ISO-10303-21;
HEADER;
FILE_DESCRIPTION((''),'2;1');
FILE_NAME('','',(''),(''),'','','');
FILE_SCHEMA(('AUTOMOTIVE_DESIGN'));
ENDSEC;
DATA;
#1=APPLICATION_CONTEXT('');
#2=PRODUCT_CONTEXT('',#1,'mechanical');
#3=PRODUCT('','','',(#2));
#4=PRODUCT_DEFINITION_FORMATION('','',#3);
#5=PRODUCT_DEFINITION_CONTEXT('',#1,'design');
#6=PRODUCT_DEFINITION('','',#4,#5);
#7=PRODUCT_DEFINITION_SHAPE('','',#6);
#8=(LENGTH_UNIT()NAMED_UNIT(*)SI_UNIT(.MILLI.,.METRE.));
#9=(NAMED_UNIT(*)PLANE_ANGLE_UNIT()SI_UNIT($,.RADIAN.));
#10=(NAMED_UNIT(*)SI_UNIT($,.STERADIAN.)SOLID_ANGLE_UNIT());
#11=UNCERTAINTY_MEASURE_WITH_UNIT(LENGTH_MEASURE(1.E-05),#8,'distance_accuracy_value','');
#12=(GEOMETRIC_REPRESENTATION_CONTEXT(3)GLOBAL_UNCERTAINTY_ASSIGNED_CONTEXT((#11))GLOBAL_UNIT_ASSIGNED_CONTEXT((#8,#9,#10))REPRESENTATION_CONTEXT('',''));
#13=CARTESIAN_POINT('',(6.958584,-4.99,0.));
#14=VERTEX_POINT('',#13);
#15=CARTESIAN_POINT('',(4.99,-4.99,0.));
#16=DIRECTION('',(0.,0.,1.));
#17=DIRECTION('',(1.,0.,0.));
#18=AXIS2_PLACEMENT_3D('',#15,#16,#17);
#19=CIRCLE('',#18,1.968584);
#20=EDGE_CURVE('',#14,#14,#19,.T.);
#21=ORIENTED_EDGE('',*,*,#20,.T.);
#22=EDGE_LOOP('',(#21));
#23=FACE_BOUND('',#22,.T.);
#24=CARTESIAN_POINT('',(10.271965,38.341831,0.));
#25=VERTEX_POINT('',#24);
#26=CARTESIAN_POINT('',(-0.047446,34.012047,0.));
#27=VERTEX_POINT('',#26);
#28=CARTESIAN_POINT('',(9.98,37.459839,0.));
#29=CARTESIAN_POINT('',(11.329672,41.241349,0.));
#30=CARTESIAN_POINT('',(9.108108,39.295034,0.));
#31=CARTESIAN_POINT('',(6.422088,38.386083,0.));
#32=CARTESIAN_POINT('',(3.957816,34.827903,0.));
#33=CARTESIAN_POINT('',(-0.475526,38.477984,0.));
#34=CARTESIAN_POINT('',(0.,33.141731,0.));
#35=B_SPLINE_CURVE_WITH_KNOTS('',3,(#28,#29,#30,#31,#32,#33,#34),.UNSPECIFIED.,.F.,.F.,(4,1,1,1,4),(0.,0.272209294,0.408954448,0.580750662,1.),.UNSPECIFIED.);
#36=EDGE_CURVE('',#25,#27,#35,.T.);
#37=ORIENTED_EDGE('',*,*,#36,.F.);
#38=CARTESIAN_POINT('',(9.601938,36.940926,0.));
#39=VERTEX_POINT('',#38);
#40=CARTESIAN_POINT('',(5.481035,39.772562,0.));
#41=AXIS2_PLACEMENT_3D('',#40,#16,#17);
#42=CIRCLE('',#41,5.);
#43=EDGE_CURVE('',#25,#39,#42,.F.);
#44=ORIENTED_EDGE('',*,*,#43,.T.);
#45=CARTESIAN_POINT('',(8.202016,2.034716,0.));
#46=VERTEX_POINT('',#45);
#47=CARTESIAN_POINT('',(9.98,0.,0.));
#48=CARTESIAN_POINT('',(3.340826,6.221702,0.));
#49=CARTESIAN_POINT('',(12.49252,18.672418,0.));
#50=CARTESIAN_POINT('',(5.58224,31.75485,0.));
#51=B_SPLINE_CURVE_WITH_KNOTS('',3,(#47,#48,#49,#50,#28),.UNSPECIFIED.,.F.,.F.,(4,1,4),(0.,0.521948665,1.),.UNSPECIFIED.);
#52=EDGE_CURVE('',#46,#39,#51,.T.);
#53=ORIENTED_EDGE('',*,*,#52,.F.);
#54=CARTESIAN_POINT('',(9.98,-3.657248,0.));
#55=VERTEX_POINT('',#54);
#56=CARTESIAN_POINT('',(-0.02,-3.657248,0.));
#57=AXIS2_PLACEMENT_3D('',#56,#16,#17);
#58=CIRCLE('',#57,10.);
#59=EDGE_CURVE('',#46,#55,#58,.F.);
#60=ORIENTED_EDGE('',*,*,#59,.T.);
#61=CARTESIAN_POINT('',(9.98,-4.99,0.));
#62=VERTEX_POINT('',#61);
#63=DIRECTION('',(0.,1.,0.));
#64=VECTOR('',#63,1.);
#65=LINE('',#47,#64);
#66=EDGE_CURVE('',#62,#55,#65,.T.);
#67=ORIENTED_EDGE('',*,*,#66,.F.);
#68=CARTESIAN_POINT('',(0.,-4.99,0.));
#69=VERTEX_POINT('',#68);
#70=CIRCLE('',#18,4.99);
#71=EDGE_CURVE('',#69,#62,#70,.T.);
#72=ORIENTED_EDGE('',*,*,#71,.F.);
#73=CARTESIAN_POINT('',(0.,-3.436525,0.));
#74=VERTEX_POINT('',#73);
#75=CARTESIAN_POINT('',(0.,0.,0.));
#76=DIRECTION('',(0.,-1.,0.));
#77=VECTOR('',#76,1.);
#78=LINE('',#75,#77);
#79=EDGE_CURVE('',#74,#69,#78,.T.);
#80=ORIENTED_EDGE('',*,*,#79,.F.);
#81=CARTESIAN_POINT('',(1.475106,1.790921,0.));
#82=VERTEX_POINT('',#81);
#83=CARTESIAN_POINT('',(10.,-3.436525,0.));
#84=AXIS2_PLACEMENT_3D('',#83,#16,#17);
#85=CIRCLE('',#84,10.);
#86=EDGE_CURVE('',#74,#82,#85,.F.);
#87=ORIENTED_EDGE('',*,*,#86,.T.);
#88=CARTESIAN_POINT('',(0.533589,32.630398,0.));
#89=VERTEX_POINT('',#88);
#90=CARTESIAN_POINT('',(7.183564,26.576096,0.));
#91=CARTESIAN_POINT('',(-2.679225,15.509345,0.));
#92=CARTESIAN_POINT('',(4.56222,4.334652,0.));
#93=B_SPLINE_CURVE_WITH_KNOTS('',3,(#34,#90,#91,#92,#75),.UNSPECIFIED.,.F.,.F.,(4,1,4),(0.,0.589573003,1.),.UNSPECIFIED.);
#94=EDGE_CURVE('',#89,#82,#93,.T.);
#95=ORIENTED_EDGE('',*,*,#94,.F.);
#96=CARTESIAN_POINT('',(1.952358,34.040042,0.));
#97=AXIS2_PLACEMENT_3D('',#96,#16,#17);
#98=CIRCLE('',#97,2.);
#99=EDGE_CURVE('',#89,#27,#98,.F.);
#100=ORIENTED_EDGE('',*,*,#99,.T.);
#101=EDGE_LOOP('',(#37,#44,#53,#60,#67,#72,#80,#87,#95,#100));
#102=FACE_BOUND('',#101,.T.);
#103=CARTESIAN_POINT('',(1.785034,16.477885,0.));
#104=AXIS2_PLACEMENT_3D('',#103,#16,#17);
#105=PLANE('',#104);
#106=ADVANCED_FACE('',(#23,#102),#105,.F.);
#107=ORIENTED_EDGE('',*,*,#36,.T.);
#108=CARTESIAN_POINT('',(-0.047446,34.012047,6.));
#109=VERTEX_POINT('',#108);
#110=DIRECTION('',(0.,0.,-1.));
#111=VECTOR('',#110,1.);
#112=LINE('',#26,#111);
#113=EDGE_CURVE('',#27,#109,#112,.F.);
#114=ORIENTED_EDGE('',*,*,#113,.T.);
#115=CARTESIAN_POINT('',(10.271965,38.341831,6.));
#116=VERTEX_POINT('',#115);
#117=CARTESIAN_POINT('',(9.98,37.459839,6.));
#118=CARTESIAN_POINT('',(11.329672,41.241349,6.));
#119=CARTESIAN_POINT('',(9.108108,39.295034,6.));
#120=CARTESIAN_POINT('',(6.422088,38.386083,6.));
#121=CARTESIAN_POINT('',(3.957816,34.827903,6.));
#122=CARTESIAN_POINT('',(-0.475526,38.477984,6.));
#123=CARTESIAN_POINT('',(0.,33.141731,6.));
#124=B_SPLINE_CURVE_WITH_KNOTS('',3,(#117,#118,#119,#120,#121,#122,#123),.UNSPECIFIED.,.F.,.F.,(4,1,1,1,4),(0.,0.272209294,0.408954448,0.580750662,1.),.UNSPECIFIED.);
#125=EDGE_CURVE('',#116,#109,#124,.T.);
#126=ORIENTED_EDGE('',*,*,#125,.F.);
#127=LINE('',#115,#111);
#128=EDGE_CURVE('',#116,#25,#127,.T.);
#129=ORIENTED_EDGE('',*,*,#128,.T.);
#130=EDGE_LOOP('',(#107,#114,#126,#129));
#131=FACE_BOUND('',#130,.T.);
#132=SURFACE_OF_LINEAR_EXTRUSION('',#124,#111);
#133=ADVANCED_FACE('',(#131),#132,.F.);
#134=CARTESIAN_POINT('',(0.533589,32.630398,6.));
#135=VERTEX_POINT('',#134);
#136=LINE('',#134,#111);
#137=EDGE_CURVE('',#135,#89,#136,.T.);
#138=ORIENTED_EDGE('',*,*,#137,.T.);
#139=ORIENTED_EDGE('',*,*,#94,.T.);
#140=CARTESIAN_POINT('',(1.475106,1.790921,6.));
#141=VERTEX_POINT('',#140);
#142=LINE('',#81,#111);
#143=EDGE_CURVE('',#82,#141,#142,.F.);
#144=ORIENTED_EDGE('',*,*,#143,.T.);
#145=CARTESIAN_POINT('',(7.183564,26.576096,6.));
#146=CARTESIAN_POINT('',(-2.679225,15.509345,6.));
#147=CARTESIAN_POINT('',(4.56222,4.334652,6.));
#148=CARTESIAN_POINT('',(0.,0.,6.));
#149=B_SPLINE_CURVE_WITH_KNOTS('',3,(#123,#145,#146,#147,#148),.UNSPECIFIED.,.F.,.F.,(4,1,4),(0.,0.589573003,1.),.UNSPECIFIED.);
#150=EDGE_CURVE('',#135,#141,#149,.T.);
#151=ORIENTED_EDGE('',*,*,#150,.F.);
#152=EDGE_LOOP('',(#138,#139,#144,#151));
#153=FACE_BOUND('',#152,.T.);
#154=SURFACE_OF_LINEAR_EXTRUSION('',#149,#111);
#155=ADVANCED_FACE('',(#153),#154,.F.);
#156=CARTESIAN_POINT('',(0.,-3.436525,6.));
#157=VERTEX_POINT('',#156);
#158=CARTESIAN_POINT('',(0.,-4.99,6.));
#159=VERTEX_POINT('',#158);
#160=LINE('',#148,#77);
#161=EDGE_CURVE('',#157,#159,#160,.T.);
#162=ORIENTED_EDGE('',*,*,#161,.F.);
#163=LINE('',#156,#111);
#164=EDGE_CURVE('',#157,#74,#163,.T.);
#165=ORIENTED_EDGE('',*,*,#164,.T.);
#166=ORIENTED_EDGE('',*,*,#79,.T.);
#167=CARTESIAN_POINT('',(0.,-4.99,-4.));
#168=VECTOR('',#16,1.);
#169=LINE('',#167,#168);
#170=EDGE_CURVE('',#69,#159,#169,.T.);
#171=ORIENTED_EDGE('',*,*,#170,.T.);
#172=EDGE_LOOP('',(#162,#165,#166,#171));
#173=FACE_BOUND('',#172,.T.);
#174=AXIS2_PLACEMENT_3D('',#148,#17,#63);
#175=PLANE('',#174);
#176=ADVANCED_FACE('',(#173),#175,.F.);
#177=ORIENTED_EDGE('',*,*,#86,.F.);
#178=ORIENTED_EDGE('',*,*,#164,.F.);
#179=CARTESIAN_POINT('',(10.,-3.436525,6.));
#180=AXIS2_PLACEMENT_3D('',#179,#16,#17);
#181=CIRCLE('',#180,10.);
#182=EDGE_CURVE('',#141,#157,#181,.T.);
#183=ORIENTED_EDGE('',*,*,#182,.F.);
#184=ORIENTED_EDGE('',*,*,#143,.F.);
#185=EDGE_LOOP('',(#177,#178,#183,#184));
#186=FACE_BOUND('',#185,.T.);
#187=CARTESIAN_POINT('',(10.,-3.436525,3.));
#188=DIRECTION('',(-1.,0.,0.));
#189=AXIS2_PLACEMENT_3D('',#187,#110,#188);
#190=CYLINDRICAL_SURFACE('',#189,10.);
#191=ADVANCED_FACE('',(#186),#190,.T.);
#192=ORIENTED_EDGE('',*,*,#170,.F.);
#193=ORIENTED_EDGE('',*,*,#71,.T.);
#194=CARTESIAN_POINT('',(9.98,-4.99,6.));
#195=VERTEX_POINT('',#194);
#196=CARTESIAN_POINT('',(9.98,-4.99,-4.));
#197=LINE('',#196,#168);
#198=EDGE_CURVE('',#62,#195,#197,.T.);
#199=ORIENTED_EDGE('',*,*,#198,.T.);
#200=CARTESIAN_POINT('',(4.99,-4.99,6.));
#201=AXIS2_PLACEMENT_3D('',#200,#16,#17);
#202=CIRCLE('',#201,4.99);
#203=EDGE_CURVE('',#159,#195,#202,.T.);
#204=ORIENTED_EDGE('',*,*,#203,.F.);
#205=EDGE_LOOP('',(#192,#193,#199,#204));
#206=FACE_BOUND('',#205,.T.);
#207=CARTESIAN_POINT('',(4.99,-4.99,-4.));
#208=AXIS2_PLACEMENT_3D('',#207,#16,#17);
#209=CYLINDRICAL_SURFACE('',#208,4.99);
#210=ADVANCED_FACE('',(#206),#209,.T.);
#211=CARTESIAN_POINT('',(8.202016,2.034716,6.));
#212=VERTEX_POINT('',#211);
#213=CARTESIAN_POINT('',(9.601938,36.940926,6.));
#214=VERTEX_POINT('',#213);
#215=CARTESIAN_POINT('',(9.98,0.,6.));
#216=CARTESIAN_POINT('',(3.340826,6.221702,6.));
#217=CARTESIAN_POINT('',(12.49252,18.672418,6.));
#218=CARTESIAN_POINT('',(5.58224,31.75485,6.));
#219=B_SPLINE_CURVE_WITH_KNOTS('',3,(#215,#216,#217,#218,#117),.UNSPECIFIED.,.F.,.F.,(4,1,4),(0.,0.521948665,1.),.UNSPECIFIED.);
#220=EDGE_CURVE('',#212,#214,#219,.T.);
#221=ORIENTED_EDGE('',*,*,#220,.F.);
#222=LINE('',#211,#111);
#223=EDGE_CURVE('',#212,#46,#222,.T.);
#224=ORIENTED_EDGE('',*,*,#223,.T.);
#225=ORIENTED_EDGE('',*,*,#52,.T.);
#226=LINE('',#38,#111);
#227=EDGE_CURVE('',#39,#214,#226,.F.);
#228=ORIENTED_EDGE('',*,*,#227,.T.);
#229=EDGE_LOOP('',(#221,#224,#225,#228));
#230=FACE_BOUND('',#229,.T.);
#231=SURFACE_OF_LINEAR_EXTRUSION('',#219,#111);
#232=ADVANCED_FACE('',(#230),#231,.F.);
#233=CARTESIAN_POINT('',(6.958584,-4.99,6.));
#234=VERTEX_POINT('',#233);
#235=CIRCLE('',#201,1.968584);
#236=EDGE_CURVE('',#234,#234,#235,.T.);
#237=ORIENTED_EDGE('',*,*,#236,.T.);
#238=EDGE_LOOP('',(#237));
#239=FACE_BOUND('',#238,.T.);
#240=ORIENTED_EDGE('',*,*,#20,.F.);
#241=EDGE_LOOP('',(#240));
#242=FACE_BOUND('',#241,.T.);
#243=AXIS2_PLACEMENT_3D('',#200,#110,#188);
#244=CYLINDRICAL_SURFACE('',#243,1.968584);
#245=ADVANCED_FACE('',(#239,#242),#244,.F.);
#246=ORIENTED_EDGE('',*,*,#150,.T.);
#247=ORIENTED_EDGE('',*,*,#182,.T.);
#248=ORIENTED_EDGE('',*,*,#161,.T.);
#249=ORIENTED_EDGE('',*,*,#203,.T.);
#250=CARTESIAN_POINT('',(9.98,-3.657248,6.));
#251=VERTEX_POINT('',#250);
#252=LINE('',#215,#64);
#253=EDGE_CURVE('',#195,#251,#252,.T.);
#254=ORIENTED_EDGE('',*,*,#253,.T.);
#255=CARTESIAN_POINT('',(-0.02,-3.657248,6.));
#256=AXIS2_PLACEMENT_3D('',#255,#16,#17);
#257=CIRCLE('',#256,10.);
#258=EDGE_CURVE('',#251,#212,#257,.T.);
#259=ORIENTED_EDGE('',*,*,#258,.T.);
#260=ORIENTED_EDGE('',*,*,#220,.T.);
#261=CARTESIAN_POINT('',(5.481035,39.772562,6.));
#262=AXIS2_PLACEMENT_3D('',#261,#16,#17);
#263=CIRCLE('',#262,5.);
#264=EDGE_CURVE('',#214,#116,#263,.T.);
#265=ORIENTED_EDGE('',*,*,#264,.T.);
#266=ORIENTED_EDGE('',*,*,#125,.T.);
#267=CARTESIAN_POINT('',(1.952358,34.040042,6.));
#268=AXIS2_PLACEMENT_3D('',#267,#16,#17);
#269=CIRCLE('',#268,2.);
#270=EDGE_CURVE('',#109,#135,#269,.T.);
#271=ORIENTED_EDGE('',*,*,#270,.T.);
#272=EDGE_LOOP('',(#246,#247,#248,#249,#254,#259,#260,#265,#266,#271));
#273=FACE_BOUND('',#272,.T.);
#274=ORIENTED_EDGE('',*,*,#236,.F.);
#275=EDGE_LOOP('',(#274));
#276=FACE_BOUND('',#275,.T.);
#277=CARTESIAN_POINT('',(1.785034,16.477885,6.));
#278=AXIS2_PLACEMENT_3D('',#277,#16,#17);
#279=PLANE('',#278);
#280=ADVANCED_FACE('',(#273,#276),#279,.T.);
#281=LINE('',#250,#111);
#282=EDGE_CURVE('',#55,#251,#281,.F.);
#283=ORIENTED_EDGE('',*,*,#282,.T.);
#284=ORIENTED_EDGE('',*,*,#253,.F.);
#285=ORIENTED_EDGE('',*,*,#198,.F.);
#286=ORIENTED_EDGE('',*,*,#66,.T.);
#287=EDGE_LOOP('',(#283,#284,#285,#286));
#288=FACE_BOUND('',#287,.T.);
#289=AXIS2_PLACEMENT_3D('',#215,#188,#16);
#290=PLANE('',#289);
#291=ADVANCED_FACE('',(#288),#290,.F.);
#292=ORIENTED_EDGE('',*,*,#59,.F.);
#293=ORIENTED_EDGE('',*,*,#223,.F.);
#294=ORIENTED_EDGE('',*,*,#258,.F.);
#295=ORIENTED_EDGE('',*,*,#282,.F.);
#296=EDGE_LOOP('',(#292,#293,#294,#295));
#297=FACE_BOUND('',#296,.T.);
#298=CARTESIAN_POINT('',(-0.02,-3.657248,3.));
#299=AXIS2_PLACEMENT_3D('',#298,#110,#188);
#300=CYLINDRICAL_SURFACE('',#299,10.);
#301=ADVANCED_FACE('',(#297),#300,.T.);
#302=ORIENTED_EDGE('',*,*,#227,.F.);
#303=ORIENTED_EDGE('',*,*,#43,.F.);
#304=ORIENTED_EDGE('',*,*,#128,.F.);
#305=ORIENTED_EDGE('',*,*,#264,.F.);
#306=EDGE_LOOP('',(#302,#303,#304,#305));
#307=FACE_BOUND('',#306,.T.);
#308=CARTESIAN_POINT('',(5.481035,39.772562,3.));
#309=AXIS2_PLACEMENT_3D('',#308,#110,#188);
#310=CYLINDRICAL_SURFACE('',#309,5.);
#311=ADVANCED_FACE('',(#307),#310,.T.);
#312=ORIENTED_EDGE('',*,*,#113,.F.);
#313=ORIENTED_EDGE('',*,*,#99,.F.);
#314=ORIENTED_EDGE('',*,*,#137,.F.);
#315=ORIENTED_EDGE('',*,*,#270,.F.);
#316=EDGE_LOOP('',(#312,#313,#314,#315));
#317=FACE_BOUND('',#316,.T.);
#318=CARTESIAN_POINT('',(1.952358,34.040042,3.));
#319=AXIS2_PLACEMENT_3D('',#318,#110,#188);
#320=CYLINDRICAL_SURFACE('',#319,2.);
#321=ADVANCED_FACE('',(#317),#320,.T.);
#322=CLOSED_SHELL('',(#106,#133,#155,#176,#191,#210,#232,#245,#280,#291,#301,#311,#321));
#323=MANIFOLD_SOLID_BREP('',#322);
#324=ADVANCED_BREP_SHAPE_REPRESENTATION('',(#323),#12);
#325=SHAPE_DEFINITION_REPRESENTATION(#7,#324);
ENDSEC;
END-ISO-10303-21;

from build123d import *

# Parameters (mm, degrees)
SKETCH1_R           = 1.968584464
BOSS_EXTRUDE2_DEPTH = 6
FILLET4_R           = 5
FILLET6_R           = 2
FILLET7_R           = 10
FILLET8_R           = 10
FILLET10_R          = 1
FILLET11_R          = 1
CUT_EXTRUDE1_DEPTH  = 10


with BuildPart() as part:
    # Sketch1 → Boss-Extrude2 (new body)
    with BuildSketch(Plane.XY):
        with BuildLine():
            Line((0, 0), (0, -9.98))
            Line((0, -9.98), (9.98, -9.98))
            Line((9.98, -9.98), (9.98, 0))
            add(Edge.make_bspline(
                [(9.98, 37.459838996), (5.582240321, 31.754849972), (12.492520243, 18.672418011), (3.340825824, 6.221702166), (9.98, 0)],
                knots=[0, 0, 0, 0, 0.478051335, 1, 1, 1, 1], degree=3))
            add(Edge.make_bspline(
                [(0, 33.141730679), (-0.475525657, 38.477983596), (3.957816191, 34.827903257), (6.4220881, 38.386082907), (9.108108181, 39.295033573), (11.329672234, 41.241349396), (9.98, 37.459838996)],
                knots=[0, 0, 0, 0, 0.419249338, 0.591045552, 0.727790706, 1, 1, 1, 1], degree=3))
            add(Edge.make_bspline(
                [(0, 33.141730679), (7.183564459, 26.576095652), (-2.679225241, 15.509345178), (4.562219574, 4.334652236), (0, 0)],
                knots=[0, 0, 0, 0, 0.589573003, 1, 1, 1, 1], degree=3))
        make_face()
        with Locations((4.99, -4.99)):
            Circle(SKETCH1_R, mode=Mode.SUBTRACT)
    extrude(amount=BOSS_EXTRUDE2_DEPTH)

    # Fillet4
    fillet4_edges = [part.edges().sort_by_distance(p)[0] for p in [
        (9.98, 37.459838996, 3),
    ]]
    fillet(fillet4_edges, radius=FILLET4_R)

    # Fillet6
    fillet6_edges = [part.edges().sort_by_distance(p)[0] for p in [
        (0, 33.141730679, 3),
    ]]
    fillet(fillet6_edges, radius=FILLET6_R)

    # Fillet7
    fillet7_edges = [part.edges().sort_by_distance(p)[0] for p in [
        (0, 0, 3),
    ]]
    fillet(fillet7_edges, radius=FILLET7_R)

    # Fillet8
    fillet8_edges = [part.edges().sort_by_distance(p)[0] for p in [
        (9.98, 0, 3),
    ]]
    fillet(fillet8_edges, radius=FILLET8_R)

    # Fillet10
    fillet10_edges = [part.edges().sort_by_distance(p)[0] for p in [
        (9.98, -9.98, 3),
    ]]
    fillet(fillet10_edges, radius=FILLET10_R)

    # Fillet11
    fillet11_edges = [part.edges().sort_by_distance(p)[0] for p in [
        (0, -9.98, 3),
    ]]
    fillet(fillet11_edges, radius=FILLET11_R)

    # Sketch2 → Cut-Extrude1 (cut)
    with BuildSketch(Plane.XY.offset(6)):
        with BuildLine():
            Line((9.98, -8.98), (9.98, -4.99))
            ThreePointArc((9.98, -4.99), (8.518462838, -8.518462838), (4.99, -9.98))
            Line((4.99, -9.98), (8.98, -9.98))
            ThreePointArc((8.98, -9.98), (9.687106781, -9.687106781), (9.98, -8.98))
        make_face()
        with BuildLine():
            ThreePointArc((4.99, -9.98), (1.461537162, -8.518462838), (0, -4.99))
            Line((0, -4.99), (0, -8.98))
            ThreePointArc((0, -8.98), (0.292893219, -9.687106781), (1, -9.98))
            Line((1, -9.98), (4.99, -9.98))
        make_face()
    extrude(amount=-CUT_EXTRUDE1_DEPTH, mode=Mode.SUBTRACT)


solid = part.part
